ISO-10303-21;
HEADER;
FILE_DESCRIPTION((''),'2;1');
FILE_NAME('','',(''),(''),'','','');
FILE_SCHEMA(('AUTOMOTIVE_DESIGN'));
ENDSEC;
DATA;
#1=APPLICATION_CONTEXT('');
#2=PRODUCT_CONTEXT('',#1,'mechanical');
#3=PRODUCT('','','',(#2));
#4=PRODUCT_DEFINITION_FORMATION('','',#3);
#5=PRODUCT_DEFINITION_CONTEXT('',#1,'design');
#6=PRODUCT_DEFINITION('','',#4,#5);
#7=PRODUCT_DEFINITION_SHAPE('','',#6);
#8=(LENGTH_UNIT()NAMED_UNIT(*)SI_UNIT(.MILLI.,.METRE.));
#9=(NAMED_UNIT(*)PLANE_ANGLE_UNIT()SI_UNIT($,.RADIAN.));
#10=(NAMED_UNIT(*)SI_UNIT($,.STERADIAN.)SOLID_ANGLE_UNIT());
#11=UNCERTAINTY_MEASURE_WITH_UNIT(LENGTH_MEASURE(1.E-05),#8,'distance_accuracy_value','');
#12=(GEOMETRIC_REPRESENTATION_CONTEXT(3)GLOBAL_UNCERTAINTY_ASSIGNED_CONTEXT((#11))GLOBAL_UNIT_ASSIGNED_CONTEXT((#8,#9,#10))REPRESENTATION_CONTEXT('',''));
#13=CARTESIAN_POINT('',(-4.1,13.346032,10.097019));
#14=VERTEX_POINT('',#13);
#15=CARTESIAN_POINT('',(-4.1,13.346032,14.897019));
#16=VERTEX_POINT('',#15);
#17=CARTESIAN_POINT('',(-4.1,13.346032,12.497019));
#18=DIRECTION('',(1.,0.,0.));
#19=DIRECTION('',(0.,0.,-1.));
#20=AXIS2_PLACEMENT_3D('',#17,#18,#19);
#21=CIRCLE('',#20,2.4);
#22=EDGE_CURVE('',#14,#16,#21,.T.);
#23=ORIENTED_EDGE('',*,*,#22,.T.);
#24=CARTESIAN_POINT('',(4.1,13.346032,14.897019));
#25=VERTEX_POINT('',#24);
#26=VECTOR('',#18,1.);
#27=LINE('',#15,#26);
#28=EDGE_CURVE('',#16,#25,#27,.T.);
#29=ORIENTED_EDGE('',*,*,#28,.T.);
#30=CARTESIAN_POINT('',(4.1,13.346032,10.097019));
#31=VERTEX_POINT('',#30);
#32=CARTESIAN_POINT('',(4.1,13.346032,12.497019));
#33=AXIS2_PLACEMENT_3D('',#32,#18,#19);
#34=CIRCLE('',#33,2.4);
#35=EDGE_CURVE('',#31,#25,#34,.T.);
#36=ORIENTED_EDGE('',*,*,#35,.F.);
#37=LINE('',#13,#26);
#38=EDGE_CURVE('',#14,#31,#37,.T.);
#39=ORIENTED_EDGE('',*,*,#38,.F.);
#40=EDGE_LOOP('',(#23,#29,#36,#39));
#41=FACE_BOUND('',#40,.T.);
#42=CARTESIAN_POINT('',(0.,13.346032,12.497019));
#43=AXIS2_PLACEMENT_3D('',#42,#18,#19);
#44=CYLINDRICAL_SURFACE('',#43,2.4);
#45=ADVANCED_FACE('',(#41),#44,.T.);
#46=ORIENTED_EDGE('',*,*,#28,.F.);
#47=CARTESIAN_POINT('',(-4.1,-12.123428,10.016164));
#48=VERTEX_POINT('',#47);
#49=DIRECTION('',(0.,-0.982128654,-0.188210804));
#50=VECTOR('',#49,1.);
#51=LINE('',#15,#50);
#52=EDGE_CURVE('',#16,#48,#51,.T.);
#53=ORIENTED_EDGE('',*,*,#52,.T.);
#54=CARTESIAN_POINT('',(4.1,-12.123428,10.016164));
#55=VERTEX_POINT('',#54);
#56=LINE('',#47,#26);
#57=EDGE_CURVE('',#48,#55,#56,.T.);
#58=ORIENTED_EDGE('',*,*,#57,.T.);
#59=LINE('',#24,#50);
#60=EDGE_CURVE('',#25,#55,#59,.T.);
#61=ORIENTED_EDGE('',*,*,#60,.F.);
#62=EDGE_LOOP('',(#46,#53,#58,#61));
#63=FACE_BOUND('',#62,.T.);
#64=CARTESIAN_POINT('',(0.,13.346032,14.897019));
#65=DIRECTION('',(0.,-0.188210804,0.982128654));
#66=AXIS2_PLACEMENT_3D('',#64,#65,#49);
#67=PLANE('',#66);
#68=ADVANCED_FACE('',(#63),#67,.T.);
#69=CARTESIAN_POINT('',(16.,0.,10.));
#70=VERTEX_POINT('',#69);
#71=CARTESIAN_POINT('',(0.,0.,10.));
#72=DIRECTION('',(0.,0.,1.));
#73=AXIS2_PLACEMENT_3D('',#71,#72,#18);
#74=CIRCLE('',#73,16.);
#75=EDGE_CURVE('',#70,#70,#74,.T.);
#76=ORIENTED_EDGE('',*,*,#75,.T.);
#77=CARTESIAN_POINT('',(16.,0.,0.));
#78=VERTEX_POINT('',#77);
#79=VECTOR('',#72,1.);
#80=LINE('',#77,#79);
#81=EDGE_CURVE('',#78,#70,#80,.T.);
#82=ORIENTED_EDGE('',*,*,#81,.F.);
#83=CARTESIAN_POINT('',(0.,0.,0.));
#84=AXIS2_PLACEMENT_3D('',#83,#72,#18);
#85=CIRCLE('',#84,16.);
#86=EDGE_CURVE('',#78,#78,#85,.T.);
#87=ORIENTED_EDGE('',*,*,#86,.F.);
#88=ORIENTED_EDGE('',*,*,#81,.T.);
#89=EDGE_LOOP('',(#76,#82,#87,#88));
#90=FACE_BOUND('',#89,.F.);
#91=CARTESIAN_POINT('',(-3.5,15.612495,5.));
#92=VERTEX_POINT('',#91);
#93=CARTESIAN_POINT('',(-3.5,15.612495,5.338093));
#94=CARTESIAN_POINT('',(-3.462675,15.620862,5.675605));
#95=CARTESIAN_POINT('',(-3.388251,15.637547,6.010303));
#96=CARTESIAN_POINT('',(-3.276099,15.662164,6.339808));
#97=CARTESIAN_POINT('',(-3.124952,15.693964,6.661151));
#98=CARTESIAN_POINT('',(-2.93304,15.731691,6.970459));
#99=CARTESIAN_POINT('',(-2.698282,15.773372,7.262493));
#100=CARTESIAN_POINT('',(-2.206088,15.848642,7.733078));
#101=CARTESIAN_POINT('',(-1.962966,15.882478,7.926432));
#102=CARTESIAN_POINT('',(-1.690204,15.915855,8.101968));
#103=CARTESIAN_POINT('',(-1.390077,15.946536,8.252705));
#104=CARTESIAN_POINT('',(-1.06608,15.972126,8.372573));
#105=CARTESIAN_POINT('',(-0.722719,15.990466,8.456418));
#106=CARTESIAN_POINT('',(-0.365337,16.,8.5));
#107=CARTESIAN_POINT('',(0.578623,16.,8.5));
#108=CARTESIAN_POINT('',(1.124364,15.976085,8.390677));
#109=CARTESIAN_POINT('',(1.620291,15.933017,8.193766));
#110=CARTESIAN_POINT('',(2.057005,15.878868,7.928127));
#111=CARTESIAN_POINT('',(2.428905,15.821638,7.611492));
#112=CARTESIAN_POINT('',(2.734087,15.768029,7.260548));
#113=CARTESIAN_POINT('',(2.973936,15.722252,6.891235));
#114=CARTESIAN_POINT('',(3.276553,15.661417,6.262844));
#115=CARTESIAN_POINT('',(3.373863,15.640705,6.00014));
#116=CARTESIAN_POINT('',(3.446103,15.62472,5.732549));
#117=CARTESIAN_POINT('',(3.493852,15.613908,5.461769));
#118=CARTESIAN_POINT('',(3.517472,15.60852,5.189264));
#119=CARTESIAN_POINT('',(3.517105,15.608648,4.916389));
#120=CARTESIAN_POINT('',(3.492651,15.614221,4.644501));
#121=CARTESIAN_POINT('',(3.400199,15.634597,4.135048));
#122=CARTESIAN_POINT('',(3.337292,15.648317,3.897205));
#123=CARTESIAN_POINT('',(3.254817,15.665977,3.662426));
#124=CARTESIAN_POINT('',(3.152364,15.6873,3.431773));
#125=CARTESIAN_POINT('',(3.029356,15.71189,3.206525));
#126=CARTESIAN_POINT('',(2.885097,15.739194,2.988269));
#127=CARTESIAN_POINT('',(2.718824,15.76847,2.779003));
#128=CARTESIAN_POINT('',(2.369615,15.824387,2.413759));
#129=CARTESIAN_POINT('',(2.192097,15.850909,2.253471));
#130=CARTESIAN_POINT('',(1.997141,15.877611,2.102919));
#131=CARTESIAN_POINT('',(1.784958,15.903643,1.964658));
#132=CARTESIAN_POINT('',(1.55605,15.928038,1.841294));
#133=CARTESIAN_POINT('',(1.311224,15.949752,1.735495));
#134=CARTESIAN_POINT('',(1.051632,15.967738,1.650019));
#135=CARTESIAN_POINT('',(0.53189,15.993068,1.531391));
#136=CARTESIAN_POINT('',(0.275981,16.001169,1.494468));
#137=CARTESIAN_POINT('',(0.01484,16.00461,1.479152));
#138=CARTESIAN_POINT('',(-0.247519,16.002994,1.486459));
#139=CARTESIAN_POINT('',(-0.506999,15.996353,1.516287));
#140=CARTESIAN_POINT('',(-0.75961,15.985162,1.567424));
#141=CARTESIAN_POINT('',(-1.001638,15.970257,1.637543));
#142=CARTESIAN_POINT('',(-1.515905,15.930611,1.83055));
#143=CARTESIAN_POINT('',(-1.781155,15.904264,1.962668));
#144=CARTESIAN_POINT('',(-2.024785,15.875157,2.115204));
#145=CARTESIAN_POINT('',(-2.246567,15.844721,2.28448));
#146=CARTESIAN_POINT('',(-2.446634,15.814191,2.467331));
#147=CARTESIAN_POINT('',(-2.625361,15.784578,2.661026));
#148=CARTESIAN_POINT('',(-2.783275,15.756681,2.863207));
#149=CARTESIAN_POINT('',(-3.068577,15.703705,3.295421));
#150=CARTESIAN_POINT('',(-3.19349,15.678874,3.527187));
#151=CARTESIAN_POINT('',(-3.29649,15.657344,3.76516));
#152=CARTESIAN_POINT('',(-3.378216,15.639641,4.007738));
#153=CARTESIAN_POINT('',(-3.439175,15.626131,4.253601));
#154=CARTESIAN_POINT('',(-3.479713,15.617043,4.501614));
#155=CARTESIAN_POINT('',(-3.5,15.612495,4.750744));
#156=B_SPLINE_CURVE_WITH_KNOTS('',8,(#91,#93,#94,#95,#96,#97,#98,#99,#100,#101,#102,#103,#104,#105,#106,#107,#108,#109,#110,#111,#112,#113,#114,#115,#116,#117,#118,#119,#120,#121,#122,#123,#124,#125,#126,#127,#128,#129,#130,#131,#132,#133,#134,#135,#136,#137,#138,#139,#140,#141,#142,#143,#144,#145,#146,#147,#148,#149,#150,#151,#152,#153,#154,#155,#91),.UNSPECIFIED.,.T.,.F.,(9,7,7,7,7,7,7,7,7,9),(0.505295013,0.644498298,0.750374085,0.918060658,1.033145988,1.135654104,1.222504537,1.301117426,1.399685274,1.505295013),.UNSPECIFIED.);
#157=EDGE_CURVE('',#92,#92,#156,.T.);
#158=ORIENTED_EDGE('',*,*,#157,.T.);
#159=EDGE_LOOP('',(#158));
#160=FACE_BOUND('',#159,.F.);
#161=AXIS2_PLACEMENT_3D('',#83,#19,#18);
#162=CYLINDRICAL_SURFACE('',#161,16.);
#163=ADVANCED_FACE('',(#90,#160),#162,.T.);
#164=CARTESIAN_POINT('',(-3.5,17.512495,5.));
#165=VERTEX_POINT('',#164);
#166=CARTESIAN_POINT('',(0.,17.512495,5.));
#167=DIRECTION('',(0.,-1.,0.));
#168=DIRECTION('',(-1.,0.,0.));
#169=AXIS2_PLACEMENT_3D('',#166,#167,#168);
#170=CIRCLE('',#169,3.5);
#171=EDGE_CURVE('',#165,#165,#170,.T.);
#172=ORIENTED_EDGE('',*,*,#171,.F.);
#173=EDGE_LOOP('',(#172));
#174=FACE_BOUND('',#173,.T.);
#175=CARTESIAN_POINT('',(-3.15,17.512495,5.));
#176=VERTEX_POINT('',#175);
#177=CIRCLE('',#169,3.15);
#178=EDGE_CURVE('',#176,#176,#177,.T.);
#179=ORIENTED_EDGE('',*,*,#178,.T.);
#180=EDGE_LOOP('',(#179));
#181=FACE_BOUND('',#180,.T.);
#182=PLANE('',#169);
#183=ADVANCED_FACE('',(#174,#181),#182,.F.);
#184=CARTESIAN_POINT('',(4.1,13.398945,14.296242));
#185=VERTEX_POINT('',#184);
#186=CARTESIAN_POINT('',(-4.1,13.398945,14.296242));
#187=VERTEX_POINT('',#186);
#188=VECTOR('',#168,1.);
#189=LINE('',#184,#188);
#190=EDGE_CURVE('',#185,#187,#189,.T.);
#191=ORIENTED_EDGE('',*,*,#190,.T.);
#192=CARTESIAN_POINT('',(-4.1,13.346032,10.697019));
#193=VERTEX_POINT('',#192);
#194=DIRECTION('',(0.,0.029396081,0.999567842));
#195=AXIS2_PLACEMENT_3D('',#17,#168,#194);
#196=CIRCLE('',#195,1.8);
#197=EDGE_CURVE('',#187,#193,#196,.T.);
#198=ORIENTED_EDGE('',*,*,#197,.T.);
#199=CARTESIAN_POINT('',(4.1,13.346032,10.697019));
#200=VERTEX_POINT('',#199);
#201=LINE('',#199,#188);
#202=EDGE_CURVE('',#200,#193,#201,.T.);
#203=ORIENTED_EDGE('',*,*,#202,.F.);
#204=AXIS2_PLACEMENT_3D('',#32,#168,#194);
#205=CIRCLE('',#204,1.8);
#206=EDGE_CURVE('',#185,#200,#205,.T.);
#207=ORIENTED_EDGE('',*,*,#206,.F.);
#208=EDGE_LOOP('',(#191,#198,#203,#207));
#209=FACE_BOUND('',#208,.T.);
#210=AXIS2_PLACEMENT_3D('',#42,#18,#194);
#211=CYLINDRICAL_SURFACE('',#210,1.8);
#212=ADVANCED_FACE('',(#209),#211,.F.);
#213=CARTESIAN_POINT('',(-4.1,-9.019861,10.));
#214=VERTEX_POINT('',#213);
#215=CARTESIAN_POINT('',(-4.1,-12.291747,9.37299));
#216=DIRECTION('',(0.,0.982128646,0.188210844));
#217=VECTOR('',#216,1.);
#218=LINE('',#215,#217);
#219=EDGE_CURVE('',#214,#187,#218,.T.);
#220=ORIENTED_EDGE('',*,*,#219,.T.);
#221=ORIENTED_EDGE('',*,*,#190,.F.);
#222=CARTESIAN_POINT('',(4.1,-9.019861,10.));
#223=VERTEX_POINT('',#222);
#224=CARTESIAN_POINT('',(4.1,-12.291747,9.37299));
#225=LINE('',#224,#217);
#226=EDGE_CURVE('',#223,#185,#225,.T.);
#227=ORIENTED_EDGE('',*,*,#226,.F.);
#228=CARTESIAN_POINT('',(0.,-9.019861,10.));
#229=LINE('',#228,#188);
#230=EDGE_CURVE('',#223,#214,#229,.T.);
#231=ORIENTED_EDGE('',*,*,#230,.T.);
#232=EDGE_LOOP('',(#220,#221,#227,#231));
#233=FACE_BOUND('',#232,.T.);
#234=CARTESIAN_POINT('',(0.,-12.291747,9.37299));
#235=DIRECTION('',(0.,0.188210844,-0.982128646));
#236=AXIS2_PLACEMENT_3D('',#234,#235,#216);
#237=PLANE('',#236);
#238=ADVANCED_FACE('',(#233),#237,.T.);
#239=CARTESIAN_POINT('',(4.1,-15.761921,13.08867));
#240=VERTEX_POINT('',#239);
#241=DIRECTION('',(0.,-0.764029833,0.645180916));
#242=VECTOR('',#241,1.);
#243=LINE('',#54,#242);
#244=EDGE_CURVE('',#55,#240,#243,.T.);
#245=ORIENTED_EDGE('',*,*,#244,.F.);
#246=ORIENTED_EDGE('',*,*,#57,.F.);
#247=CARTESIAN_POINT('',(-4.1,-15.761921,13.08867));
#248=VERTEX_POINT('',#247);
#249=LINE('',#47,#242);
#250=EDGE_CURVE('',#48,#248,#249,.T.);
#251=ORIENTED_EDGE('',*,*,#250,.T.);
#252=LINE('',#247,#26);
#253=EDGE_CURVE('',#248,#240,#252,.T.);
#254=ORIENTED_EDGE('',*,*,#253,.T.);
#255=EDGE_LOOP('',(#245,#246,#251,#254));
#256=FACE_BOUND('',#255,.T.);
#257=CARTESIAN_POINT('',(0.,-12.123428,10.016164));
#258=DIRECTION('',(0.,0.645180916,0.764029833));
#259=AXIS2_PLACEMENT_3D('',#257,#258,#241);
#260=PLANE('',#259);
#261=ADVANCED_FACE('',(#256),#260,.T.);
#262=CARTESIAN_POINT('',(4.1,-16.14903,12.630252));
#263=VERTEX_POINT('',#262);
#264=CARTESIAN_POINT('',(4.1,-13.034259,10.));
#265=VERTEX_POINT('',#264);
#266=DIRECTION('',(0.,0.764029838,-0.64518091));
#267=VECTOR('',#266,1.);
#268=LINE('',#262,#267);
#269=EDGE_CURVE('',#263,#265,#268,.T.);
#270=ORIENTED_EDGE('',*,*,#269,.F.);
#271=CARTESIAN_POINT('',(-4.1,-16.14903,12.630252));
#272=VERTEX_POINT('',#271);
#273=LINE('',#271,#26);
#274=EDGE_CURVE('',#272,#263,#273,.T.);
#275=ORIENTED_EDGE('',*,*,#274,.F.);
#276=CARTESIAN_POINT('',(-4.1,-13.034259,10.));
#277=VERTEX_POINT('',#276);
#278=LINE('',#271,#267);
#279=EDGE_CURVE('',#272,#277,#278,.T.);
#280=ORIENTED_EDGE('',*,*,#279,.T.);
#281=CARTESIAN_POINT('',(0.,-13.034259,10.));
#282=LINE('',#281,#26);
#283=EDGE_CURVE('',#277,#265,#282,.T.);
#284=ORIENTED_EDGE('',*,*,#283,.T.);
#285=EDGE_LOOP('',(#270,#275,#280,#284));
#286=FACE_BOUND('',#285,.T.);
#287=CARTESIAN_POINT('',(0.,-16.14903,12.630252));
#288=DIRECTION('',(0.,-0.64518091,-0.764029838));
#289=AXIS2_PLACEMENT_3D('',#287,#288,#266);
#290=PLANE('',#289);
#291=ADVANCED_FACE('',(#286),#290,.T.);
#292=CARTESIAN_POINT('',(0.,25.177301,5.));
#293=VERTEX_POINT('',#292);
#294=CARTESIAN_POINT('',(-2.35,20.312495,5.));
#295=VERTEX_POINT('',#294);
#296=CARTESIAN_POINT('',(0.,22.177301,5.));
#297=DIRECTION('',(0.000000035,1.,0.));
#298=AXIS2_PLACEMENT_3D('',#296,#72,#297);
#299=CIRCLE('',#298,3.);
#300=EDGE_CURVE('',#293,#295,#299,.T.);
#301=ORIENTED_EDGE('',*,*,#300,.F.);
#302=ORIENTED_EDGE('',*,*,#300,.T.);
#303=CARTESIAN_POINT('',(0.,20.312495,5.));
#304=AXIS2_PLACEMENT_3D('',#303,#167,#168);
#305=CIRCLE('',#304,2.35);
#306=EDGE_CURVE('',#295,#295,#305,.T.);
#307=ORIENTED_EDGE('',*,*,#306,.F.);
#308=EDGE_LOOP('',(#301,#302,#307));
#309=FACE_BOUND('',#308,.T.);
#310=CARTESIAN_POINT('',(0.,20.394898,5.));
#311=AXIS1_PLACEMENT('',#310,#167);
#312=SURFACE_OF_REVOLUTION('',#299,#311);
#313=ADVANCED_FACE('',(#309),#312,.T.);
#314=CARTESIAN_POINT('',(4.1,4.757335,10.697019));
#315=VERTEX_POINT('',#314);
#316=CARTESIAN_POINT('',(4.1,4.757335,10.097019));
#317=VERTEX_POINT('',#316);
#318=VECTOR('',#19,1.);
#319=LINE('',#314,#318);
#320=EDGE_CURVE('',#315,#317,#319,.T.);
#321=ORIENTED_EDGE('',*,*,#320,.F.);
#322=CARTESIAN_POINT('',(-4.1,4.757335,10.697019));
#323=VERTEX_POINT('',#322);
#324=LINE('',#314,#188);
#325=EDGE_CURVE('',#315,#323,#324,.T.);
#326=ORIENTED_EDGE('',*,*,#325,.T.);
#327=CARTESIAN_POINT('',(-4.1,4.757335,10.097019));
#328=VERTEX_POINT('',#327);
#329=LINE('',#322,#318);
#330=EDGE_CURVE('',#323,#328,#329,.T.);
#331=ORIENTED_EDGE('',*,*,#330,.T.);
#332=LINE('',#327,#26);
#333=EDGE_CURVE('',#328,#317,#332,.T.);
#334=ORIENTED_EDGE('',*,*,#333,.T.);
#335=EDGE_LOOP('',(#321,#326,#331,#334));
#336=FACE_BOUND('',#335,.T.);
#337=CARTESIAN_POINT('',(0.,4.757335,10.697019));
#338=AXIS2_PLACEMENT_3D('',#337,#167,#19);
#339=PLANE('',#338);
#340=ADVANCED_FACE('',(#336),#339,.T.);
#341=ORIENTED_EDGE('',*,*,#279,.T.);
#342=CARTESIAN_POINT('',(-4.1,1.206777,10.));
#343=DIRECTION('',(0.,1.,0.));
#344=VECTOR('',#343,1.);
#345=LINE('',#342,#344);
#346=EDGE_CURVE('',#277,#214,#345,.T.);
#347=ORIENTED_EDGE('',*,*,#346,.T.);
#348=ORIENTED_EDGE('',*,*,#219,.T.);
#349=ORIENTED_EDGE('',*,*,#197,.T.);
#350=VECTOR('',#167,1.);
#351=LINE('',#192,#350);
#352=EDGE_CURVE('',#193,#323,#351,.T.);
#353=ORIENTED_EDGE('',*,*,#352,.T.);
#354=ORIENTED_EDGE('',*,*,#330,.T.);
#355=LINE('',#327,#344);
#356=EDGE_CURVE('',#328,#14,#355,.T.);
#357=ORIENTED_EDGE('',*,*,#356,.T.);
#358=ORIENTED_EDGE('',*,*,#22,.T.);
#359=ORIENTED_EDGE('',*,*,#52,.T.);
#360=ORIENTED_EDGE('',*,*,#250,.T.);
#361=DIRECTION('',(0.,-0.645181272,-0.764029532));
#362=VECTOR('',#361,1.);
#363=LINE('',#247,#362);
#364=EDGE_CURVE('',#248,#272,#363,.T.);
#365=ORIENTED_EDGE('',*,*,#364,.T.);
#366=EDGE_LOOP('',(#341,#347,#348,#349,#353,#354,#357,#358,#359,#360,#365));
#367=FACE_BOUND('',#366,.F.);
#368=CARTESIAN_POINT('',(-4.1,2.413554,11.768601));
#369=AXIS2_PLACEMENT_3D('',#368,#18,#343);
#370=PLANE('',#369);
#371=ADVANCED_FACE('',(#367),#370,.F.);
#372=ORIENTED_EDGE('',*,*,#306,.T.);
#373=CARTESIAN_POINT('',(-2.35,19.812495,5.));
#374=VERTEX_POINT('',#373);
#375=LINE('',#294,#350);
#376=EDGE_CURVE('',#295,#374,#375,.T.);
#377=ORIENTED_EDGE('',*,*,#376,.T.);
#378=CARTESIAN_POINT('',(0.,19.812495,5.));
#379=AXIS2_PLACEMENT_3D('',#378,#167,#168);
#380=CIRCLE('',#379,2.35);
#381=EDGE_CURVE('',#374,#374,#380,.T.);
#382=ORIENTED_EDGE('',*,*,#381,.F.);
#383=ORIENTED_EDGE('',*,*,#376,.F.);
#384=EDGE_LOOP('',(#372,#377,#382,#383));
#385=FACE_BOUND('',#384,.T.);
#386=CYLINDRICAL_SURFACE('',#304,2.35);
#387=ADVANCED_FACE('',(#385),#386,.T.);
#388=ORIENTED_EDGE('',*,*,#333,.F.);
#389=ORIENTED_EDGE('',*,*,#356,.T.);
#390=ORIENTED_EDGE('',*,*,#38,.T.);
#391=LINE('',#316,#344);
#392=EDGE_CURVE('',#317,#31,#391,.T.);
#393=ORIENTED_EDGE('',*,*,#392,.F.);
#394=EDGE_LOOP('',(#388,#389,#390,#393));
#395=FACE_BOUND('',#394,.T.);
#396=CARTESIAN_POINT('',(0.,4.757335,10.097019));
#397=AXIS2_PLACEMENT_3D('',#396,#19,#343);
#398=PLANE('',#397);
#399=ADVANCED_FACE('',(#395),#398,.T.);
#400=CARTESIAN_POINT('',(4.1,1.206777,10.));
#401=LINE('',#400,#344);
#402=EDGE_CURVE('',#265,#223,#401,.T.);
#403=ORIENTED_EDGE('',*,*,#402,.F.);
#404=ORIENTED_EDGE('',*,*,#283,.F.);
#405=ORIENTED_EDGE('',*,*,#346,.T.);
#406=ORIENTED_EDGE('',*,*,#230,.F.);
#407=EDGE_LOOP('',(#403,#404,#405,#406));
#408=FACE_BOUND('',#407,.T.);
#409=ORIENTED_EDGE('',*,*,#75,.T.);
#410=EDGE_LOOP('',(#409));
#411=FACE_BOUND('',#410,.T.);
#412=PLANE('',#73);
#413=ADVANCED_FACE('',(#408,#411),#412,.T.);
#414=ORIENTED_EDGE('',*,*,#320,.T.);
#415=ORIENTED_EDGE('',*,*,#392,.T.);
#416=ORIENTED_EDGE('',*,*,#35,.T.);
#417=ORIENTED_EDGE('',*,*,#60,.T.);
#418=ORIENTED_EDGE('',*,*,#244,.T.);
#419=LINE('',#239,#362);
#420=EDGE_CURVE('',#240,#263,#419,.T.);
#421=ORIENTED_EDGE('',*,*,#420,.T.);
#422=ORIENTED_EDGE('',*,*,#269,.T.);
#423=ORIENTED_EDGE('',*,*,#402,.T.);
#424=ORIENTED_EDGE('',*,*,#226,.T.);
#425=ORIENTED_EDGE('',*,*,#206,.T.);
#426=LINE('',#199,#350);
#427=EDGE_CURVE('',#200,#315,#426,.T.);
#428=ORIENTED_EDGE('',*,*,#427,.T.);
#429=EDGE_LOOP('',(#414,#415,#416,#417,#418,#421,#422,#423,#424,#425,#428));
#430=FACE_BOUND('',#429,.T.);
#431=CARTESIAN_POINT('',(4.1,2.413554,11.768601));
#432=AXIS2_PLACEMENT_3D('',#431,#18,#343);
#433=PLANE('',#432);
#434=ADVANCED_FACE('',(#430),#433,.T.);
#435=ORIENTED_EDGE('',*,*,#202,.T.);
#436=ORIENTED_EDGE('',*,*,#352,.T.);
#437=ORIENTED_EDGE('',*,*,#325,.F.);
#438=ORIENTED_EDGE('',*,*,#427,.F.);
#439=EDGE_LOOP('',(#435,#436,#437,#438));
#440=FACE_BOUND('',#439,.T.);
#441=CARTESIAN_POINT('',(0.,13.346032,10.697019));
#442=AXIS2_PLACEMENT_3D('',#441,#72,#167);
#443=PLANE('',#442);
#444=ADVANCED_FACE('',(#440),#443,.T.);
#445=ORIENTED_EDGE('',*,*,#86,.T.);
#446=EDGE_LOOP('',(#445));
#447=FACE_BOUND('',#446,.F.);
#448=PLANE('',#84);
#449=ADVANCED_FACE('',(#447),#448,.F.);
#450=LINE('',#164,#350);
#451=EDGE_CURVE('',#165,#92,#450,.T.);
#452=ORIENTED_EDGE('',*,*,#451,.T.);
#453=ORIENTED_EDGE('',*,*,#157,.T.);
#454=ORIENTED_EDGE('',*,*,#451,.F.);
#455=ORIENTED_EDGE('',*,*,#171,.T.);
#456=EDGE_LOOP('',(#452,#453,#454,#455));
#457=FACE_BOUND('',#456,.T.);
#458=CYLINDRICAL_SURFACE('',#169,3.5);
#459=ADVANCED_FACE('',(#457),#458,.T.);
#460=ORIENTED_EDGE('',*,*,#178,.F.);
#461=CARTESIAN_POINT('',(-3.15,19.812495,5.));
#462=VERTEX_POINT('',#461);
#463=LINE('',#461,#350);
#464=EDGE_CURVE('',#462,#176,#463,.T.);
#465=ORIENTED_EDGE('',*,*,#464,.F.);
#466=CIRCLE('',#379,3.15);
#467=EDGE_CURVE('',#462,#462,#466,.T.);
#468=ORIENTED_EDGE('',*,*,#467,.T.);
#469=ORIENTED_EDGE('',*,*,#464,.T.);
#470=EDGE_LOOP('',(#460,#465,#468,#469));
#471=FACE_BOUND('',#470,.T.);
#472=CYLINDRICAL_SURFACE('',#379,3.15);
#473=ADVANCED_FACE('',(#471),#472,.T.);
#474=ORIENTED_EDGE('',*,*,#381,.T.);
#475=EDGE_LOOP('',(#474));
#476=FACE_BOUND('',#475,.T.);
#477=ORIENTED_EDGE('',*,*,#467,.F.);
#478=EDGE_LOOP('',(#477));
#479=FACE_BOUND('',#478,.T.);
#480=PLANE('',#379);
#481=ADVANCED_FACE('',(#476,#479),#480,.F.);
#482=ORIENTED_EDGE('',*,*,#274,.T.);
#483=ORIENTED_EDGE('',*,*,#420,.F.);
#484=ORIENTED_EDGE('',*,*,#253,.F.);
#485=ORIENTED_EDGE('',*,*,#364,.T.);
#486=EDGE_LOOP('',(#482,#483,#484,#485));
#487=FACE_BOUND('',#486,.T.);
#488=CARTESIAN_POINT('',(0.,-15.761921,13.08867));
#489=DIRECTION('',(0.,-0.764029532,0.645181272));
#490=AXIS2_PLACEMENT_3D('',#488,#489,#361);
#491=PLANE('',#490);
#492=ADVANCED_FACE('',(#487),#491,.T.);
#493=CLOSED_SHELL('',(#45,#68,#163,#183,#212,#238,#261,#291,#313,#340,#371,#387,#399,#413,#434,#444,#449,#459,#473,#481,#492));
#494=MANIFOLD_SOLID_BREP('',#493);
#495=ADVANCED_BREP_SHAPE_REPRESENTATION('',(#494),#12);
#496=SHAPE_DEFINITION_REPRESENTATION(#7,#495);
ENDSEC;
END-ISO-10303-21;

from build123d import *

# Parameters (mm, degrees)
F0_R     = 16
F1_DEPTH = 10
F3_DEPTH = 4.1


with BuildPart() as f1:
    # F0 (on Top) → F1 (new body)
    with BuildSketch(Plane.XY):
        Circle(F0_R)
    extrude(amount=F1_DEPTH)

    # F2 (on Right) → F3 (join, symmetric)
    with BuildSketch(Plane.YZ):
        with BuildLine():
            Line((4.757335, 10.697019), (4.757335, 10.097019))
            Line((4.757335, 10.097019), (13.346032, 10.097019))
            ThreePointArc((13.346032, 10.097019), (15.746032, 12.497019), (13.346032, 14.897019))
            Line((13.346032, 14.897019), (-12.123428, 10.016164))
            Line((-12.123428, 10.016164), (-15.761921, 13.08867))
            Line((-15.761921, 13.08867), (-16.14903, 12.630252))
            Line((-16.14903, 12.630252), (-12.291747, 9.37299))
            Line((-12.291747, 9.37299), (13.398945, 14.296242))
            ThreePointArc((13.398945, 14.296242), (15.145838, 12.47056), (13.346032, 10.697019))
            Line((13.346032, 10.697019), (4.757335, 10.697019))
        make_face()
    extrude(amount=F3_DEPTH, both=True)

    # F5 (on offset) → F6 (revolve)
    with BuildSketch(Plane.XY.offset(5)):
        with BuildLine():
            Line((-3.5, 15.612495), (0, 15.612495))
            Line((0, 15.612495), (0, 25.177301))
            ThreePointArc((0, 25.177301), (-2.701335, 23.482211), (-2.35, 20.312495))
            Line((-2.35, 20.312495), (-2.35, 19.812495))
            Line((-2.35, 19.812495), (-3.15, 19.812495))
            Line((-3.15, 19.812495), (-3.15, 17.512495))
            Line((-3.15, 17.512495), (-3.5, 17.512495))
            Line((-3.5, 17.512495), (-3.5, 15.612495))
        make_face()
    revolve(axis=Axis((0, 20.394898, 5), (0, -1, 0)))


solid = f1.part
